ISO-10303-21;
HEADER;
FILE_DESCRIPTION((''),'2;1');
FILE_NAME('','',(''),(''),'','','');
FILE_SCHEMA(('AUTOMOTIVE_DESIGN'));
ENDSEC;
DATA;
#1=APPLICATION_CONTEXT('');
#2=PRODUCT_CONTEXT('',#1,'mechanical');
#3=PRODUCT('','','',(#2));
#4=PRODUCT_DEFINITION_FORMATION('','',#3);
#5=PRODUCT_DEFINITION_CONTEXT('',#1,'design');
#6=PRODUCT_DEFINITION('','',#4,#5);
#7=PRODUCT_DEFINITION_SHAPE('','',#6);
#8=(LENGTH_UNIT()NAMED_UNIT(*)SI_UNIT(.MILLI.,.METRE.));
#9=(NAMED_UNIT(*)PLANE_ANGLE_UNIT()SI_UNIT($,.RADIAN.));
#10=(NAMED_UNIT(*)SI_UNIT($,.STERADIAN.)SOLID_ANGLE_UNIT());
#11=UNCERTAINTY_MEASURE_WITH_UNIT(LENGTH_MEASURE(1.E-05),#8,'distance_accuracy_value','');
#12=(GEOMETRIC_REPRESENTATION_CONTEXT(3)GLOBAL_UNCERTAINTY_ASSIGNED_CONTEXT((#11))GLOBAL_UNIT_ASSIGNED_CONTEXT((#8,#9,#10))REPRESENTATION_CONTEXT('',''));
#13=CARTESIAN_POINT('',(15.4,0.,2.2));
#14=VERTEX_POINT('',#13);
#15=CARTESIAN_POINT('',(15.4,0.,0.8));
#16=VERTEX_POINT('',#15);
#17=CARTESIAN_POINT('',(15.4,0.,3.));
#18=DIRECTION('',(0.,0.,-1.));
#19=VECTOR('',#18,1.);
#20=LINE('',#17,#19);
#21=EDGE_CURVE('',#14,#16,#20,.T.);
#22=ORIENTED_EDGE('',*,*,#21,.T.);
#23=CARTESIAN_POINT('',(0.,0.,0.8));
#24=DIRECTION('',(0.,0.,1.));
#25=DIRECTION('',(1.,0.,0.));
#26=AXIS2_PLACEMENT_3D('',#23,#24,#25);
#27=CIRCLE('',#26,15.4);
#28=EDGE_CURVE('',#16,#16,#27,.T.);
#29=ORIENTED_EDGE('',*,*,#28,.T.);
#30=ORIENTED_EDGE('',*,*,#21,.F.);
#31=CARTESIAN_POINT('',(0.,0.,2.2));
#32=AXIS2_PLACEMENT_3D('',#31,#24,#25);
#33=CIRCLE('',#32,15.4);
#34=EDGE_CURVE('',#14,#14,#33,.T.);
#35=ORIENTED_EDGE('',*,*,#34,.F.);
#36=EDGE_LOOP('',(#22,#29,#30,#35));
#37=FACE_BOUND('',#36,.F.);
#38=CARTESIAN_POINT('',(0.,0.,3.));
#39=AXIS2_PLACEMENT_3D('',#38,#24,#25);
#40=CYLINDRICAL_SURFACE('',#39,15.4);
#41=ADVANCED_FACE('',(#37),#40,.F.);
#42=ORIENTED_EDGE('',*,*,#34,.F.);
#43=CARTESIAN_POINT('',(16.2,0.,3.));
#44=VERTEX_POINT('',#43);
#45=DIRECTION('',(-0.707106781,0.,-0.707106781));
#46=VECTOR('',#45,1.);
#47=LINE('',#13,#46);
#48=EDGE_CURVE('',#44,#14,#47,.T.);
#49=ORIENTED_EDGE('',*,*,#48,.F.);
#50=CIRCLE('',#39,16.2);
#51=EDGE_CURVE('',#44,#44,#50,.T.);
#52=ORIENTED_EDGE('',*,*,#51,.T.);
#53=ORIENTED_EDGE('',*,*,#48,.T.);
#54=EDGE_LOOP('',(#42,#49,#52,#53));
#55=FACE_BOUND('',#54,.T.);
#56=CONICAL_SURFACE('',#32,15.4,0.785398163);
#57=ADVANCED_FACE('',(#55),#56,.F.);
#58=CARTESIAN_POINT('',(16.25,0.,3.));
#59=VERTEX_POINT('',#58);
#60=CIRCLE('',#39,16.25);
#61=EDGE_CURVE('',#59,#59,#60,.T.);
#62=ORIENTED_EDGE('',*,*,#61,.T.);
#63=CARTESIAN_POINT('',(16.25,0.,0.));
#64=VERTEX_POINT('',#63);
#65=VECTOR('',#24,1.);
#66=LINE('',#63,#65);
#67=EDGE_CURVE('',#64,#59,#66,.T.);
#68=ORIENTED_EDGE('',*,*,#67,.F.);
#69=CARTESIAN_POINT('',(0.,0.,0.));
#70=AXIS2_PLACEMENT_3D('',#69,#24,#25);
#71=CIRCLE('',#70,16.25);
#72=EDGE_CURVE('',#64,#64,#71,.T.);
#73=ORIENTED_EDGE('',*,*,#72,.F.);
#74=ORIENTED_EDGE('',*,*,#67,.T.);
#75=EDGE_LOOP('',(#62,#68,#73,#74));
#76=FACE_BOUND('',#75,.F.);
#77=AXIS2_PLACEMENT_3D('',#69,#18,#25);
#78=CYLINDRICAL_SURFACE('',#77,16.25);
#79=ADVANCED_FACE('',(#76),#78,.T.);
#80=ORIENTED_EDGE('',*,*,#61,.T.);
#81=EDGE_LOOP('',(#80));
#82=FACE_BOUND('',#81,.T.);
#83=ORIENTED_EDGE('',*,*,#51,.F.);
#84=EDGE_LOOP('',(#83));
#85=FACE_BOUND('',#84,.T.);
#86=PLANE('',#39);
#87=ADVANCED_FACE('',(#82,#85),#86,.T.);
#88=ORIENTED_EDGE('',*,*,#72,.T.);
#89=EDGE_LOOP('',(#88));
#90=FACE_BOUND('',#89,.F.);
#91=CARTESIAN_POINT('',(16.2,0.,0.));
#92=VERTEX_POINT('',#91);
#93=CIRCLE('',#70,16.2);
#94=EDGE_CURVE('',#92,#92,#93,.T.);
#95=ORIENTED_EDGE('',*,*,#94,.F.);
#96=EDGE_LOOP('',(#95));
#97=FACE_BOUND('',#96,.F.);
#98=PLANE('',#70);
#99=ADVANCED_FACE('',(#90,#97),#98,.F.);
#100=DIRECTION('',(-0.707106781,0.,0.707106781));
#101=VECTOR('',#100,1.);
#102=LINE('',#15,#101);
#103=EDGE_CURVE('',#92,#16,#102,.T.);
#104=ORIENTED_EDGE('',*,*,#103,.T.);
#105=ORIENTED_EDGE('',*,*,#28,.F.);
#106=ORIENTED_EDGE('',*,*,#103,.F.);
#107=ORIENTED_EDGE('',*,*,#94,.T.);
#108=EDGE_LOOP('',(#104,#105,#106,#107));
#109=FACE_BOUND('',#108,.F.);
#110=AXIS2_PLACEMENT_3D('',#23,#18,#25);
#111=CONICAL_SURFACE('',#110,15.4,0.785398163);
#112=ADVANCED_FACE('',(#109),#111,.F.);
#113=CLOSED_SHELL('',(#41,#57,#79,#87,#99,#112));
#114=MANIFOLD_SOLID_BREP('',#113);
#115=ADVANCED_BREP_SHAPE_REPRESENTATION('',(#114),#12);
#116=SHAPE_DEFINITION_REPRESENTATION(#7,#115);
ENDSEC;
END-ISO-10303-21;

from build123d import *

# Parameters (mm, degrees)
F0_R     = 16.25
F1_DEPTH = 3
F2_R     = 15.4
F3_DEPTH = 3.001
F4_SIZE  = 0.8


with BuildPart() as f1:
    # F0 (on Top) → F1 (new body)
    with BuildSketch(Plane.XY):
        Circle(F0_R)
    extrude(amount=F1_DEPTH)

    # F2 (on face) → F3 (cut, through all)
    with BuildSketch(Plane.XY.offset(3)):
        Circle(F2_R)
    extrude(amount=-F3_DEPTH, mode=Mode.SUBTRACT)

    # F4
    f4_edges = [f1.edges().sort_by_distance(p)[0] for p in [
        (-15.4, 0, 3),
        (-15.4, 0, 0),
    ]]
    chamfer(f4_edges, length=F4_SIZE)


solid = f1.part
